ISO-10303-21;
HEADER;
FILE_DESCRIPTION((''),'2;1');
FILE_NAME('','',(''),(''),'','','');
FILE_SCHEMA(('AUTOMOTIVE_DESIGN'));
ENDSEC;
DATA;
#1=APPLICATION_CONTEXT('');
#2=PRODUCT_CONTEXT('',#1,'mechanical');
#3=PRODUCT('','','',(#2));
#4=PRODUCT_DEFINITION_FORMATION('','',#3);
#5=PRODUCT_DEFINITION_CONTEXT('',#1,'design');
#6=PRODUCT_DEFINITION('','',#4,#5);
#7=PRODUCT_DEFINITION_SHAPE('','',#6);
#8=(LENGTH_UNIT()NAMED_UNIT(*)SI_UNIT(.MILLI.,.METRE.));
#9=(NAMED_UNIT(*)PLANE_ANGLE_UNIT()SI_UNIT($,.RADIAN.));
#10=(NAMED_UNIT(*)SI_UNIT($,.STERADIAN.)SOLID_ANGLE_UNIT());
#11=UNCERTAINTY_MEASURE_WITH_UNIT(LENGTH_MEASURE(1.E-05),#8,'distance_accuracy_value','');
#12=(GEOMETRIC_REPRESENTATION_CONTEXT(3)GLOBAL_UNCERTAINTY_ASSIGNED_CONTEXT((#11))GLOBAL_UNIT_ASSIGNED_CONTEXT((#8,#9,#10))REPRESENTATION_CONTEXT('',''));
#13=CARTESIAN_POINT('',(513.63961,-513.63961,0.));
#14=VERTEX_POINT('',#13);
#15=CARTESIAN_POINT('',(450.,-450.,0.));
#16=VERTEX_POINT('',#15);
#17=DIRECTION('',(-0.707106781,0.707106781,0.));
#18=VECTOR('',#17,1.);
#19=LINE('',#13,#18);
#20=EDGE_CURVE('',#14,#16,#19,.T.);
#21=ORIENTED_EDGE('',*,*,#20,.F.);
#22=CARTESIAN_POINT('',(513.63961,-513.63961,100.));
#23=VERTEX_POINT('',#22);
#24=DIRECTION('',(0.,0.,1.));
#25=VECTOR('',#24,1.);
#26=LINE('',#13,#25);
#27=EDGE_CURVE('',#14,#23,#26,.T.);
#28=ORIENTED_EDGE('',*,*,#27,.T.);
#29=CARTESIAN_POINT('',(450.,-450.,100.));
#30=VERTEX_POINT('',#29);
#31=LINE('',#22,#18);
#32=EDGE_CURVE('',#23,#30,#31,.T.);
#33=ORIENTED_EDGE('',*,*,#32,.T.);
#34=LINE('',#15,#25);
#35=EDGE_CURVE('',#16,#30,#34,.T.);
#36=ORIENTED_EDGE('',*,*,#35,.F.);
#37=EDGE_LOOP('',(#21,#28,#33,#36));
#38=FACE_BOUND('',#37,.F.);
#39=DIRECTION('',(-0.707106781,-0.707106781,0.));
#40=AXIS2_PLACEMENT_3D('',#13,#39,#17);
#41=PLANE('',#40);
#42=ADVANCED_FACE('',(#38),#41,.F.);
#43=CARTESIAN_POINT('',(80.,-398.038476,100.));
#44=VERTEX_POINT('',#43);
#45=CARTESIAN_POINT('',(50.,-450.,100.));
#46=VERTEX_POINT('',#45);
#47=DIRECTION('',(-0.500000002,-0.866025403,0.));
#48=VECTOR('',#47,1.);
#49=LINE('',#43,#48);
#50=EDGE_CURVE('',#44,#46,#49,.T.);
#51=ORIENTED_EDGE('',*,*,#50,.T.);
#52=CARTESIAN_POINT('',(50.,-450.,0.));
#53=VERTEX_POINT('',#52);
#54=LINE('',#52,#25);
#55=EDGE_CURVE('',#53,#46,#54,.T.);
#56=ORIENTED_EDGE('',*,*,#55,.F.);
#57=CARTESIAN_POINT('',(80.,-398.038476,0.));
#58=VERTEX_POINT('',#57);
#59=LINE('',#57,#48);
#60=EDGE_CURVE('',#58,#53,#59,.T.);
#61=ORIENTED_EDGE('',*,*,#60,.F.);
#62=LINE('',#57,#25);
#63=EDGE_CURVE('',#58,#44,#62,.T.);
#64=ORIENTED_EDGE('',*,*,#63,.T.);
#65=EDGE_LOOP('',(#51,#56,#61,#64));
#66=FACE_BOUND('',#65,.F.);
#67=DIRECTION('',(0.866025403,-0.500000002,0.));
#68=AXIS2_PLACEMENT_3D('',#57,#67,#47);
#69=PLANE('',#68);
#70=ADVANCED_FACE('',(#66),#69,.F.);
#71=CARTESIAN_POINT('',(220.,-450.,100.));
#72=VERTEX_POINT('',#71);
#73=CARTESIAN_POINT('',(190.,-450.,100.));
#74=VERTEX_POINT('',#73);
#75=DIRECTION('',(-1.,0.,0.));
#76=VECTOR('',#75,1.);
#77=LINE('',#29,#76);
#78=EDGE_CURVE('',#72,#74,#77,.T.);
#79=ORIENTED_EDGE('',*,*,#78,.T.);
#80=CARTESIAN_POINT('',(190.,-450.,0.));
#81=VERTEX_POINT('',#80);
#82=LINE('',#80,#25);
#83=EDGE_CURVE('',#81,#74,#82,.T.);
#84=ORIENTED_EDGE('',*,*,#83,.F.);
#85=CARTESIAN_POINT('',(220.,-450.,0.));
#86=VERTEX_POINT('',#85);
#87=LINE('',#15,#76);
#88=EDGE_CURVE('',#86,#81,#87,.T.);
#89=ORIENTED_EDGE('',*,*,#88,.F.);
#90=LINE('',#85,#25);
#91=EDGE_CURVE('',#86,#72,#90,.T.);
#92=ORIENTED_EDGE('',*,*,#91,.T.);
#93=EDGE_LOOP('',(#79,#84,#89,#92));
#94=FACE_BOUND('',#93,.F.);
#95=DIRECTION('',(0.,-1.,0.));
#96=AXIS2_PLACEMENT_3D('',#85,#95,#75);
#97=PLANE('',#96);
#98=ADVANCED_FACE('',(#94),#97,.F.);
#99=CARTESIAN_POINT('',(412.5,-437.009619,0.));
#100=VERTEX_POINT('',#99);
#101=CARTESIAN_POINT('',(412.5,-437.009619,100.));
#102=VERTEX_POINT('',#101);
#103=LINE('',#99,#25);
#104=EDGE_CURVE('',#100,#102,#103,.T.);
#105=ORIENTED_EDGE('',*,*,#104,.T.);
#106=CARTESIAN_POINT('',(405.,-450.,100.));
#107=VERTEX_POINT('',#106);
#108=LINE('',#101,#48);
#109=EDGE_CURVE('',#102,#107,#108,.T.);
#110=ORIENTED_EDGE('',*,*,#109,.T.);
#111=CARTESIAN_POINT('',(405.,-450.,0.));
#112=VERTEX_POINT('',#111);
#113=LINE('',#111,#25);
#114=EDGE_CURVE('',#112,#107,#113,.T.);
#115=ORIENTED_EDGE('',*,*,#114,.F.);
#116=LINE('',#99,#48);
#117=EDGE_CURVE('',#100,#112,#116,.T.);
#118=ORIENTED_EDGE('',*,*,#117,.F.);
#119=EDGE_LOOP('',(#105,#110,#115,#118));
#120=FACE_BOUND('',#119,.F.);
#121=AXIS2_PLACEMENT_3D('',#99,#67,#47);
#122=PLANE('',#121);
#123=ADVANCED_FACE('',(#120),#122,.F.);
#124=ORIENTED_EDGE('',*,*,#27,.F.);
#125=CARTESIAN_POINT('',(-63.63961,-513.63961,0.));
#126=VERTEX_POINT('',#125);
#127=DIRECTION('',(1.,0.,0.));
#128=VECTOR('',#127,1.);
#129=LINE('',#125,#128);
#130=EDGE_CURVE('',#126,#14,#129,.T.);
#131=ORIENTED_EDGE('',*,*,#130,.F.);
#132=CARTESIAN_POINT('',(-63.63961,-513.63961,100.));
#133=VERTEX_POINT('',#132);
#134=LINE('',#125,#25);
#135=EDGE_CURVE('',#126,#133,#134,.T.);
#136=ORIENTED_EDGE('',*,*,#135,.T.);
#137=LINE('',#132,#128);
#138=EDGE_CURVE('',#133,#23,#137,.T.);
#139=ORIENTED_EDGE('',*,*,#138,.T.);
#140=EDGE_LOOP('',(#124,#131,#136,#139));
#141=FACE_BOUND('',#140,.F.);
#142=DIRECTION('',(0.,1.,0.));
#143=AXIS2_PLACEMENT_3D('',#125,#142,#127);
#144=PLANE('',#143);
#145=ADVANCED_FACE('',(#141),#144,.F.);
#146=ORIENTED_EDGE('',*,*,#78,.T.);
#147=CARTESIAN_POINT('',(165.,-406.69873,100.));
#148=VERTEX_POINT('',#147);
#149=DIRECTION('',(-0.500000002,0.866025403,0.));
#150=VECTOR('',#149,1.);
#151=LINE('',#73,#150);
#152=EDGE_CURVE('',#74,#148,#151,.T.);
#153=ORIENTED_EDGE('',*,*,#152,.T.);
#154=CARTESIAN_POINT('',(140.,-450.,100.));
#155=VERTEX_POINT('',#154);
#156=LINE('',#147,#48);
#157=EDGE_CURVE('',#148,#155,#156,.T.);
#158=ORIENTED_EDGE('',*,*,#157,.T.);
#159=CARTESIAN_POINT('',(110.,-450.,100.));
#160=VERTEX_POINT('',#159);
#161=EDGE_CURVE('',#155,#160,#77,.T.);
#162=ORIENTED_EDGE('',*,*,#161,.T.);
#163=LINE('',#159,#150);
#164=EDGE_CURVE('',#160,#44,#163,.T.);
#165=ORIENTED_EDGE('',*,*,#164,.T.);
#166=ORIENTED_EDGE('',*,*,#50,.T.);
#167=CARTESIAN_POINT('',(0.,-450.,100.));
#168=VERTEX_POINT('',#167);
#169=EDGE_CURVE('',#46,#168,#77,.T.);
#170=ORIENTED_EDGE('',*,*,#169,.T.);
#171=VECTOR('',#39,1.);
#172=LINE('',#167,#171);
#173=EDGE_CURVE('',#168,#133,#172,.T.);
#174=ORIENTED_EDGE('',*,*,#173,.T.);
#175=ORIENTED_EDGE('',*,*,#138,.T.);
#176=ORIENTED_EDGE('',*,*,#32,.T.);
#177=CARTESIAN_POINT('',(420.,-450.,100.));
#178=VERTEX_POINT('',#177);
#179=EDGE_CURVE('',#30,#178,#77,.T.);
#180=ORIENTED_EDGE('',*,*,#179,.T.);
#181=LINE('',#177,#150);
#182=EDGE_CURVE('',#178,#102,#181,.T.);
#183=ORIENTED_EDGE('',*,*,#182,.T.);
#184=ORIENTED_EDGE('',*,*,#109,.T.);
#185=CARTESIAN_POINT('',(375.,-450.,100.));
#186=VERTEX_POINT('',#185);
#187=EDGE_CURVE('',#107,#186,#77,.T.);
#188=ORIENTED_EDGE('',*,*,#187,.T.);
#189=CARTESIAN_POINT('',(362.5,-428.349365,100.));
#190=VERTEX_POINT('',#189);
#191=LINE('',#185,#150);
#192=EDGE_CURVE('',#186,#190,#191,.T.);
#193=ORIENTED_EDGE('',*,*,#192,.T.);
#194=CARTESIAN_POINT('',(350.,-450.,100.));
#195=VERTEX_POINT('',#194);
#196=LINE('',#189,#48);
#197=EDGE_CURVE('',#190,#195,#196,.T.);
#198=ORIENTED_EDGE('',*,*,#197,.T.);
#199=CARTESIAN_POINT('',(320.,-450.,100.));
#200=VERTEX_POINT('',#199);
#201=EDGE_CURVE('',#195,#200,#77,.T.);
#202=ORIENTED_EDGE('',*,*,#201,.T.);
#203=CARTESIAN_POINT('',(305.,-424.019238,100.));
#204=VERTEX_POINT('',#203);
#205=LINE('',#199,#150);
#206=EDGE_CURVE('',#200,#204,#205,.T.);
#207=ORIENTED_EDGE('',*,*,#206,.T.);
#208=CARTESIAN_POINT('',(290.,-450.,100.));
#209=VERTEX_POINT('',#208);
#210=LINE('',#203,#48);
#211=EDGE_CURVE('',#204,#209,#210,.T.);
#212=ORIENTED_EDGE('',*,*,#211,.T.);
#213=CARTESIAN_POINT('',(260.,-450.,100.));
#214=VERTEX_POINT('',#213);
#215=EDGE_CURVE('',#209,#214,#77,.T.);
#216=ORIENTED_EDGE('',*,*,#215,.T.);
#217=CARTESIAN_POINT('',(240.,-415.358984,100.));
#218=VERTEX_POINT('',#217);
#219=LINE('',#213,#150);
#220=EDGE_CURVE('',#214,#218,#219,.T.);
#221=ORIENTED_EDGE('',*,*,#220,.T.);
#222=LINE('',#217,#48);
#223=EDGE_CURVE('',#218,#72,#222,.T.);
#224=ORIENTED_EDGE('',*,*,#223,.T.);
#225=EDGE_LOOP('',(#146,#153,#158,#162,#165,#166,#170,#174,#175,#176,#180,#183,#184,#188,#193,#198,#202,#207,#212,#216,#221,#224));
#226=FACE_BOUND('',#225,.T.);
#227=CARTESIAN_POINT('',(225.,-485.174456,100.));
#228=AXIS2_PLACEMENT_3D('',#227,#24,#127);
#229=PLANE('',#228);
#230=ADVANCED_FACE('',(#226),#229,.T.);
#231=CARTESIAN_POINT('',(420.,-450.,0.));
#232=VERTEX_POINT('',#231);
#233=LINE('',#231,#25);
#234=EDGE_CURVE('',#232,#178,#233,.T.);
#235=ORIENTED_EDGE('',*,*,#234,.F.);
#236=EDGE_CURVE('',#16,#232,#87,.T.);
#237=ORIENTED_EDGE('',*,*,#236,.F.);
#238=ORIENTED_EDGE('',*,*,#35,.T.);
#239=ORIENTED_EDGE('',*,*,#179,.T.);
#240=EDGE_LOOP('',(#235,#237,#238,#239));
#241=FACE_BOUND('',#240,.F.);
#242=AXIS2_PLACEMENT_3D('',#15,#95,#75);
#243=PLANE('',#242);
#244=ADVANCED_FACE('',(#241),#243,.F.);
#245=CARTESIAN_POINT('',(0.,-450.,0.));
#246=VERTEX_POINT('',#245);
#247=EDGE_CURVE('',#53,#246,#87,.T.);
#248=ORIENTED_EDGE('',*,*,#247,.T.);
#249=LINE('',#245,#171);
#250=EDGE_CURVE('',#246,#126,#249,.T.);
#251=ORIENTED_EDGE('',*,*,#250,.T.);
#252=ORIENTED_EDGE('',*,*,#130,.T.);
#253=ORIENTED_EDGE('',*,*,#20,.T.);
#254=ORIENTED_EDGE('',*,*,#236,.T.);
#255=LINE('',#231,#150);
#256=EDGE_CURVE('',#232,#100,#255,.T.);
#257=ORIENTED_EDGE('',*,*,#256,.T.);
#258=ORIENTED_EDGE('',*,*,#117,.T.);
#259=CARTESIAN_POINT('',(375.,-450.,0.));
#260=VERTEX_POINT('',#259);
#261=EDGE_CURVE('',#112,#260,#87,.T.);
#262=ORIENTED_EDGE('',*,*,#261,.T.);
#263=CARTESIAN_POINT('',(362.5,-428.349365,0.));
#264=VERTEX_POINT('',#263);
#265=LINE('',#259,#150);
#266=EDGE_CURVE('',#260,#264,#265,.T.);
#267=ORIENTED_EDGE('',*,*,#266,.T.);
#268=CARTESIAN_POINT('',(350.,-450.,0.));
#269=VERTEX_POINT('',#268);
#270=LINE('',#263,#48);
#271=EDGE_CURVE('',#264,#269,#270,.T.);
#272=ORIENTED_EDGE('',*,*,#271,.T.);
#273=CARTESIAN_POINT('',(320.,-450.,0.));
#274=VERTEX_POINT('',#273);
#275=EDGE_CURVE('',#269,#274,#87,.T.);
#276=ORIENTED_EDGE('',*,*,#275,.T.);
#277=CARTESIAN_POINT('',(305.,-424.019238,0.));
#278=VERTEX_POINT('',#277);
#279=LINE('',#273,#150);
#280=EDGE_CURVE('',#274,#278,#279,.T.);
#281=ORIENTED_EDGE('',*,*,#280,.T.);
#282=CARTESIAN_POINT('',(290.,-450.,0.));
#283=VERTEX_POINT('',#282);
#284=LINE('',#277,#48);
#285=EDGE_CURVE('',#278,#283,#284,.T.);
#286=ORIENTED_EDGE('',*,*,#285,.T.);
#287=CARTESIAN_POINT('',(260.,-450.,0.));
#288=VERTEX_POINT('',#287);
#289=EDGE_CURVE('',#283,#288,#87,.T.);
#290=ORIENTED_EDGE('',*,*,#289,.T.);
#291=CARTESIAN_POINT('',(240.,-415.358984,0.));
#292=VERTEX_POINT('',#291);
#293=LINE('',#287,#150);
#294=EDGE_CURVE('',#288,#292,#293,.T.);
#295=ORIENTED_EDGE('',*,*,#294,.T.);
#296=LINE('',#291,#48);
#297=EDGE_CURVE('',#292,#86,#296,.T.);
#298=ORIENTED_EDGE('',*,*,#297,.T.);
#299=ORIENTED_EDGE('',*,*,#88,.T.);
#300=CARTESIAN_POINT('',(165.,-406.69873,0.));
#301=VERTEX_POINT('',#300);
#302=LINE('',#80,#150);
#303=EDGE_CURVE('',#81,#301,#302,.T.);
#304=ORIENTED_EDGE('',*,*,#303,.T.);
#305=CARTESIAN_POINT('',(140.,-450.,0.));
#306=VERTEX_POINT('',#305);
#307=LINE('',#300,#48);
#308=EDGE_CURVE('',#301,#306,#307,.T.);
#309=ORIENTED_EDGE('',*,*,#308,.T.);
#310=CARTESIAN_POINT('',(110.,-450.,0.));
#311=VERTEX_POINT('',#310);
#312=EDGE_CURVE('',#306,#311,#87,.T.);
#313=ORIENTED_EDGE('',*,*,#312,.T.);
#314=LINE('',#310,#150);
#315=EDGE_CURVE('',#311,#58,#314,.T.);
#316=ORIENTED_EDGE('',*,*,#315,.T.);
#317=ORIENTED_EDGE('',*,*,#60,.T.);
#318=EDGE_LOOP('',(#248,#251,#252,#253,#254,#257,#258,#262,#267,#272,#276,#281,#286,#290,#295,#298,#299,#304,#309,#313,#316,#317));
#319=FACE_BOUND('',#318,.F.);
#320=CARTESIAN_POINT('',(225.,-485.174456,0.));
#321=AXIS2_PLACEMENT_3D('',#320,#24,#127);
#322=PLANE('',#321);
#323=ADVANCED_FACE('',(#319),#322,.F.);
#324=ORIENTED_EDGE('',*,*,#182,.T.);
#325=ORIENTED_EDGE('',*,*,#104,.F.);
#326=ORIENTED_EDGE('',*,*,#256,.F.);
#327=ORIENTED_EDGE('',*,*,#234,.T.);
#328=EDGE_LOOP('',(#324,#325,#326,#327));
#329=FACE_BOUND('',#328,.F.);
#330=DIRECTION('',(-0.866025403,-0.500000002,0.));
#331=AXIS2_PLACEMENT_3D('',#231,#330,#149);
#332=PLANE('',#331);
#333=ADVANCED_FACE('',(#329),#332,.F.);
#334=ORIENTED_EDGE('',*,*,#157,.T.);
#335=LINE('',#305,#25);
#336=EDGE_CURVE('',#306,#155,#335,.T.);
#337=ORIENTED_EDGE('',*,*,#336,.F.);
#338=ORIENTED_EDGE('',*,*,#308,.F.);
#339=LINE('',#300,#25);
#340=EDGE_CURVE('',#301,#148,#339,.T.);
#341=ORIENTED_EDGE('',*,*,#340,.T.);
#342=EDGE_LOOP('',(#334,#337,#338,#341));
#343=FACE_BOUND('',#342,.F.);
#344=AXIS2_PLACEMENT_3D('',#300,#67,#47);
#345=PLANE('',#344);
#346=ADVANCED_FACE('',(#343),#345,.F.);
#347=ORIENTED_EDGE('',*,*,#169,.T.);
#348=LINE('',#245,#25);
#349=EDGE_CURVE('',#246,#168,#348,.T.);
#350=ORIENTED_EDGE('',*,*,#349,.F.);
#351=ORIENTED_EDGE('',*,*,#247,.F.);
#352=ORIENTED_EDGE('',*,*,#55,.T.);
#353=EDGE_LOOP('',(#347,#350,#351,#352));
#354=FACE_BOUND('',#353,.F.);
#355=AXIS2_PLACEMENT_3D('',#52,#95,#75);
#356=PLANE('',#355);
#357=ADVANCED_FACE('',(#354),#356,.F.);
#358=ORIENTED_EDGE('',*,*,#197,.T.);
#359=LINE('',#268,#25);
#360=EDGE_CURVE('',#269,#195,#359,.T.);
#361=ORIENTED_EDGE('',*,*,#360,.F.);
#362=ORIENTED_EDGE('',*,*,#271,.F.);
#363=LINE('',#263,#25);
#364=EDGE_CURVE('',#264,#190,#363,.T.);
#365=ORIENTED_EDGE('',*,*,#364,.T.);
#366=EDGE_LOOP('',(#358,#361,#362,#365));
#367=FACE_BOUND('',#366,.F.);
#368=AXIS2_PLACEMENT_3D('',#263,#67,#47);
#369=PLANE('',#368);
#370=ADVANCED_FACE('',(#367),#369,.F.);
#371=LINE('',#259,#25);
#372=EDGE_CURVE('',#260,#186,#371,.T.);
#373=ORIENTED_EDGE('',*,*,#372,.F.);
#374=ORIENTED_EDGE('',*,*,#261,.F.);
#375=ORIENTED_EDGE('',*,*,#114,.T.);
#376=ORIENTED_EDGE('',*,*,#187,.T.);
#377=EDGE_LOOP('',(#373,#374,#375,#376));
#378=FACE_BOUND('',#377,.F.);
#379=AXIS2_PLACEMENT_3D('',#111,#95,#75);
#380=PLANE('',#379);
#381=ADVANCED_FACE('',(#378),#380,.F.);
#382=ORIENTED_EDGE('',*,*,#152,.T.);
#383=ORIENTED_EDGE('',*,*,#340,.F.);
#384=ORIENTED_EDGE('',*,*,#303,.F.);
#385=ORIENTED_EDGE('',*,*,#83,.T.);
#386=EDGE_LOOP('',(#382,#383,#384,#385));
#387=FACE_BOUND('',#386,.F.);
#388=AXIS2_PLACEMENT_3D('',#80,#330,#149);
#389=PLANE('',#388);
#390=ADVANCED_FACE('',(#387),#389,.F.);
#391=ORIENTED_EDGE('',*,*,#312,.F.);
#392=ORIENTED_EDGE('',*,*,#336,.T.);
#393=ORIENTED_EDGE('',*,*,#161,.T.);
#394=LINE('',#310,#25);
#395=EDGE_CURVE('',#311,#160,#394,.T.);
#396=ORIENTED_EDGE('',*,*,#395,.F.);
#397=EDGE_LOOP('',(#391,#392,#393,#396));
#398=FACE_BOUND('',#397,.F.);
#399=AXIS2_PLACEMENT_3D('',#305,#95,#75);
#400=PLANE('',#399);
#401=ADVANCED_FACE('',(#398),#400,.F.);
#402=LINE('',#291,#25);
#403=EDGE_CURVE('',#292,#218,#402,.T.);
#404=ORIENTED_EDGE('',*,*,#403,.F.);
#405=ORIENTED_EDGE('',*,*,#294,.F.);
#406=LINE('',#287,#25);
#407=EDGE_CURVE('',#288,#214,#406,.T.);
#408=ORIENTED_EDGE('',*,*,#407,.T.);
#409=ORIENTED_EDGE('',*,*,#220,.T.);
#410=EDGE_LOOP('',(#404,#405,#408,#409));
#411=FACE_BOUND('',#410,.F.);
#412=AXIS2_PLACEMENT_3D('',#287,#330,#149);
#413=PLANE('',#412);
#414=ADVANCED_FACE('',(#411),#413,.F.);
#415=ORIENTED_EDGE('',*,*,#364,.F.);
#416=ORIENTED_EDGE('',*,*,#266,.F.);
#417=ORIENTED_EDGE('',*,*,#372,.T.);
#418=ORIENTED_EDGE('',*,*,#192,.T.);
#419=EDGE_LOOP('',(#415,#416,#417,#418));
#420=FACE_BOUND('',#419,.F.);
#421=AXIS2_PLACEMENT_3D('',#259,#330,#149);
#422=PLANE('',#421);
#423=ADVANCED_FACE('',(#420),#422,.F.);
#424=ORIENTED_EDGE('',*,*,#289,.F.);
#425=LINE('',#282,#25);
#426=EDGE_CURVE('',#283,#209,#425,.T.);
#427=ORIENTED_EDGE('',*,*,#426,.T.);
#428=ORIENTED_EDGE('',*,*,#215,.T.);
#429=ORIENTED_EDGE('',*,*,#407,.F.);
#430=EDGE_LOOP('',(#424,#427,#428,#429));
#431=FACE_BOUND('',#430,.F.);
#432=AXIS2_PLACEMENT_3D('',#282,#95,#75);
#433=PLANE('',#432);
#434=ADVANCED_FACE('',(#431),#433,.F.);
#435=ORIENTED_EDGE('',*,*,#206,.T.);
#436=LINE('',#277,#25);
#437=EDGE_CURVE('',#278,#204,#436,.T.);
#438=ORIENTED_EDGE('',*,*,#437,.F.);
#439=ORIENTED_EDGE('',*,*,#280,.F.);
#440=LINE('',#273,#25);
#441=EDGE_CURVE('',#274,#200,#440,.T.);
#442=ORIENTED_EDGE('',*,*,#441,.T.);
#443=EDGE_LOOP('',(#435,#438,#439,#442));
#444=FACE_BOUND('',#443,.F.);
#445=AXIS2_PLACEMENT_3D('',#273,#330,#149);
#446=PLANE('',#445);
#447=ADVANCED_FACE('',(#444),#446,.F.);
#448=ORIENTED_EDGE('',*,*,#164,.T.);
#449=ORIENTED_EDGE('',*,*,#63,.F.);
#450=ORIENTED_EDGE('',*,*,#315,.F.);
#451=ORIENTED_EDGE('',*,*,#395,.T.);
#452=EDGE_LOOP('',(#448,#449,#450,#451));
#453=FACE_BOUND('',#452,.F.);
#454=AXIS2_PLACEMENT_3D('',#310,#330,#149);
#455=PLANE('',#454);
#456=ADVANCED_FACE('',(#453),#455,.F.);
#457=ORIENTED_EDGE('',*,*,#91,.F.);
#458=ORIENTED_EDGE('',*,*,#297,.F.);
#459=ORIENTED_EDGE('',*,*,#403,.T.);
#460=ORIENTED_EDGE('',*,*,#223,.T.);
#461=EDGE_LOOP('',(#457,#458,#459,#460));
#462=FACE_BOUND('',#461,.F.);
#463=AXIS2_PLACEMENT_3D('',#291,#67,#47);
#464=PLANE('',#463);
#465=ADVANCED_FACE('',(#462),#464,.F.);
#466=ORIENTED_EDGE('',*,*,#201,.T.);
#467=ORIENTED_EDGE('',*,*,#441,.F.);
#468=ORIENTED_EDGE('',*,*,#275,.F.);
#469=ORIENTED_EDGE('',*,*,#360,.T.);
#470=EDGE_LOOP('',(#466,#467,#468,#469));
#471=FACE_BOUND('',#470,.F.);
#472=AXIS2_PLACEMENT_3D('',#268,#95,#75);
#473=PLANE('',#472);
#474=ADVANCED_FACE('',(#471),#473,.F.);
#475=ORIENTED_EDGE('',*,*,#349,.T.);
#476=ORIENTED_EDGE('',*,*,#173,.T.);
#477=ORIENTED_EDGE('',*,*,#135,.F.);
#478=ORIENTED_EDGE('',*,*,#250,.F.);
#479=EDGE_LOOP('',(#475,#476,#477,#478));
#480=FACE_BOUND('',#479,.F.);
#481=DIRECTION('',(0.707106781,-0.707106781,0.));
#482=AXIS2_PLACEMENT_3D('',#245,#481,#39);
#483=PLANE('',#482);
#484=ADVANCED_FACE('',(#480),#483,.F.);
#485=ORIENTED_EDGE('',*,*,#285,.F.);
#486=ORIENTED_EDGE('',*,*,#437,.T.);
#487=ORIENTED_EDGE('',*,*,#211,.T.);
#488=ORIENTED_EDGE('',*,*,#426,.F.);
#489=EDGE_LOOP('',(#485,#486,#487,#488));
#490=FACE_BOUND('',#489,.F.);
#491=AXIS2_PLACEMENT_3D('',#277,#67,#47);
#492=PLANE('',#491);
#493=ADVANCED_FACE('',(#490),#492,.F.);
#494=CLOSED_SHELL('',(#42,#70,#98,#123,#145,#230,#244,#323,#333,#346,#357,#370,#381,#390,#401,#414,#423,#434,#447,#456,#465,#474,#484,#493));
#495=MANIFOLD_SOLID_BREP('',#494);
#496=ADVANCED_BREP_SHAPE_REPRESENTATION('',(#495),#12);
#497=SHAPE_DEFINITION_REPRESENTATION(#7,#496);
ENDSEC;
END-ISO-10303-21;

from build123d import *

# Parameters (mm, degrees)
F1_DEPTH = 100


with BuildPart() as f1:
    # F0 (on Top) → F1 (new body)
    with BuildSketch(Plane.XY):
        Polygon((-63.63961, -513.63961), (513.63961, -513.63961), (450, -450), (420, -450), (405, -450), (375, -450), (350, -450), (320, -450), (290, -450), (260, -450), (220, -450), (190, -450), (140, -450), (110, -450), (50, -450), (0, -450), align=None)
        Polygon((80, -398.038476), (50, -450), (110, -450), align=None)
        Polygon((165, -406.69873), (140, -450), (190, -450), align=None)
        Polygon((240, -415.358984), (220, -450), (260, -450), align=None)
        Polygon((290, -450), (320, -450), (305, -424.019238), align=None)
        Polygon((350, -450), (375, -450), (362.5, -428.349365), align=None)
        Polygon((405, -450), (420, -450), (412.5, -437.009619), align=None)
    extrude(amount=F1_DEPTH)


solid = f1.part
